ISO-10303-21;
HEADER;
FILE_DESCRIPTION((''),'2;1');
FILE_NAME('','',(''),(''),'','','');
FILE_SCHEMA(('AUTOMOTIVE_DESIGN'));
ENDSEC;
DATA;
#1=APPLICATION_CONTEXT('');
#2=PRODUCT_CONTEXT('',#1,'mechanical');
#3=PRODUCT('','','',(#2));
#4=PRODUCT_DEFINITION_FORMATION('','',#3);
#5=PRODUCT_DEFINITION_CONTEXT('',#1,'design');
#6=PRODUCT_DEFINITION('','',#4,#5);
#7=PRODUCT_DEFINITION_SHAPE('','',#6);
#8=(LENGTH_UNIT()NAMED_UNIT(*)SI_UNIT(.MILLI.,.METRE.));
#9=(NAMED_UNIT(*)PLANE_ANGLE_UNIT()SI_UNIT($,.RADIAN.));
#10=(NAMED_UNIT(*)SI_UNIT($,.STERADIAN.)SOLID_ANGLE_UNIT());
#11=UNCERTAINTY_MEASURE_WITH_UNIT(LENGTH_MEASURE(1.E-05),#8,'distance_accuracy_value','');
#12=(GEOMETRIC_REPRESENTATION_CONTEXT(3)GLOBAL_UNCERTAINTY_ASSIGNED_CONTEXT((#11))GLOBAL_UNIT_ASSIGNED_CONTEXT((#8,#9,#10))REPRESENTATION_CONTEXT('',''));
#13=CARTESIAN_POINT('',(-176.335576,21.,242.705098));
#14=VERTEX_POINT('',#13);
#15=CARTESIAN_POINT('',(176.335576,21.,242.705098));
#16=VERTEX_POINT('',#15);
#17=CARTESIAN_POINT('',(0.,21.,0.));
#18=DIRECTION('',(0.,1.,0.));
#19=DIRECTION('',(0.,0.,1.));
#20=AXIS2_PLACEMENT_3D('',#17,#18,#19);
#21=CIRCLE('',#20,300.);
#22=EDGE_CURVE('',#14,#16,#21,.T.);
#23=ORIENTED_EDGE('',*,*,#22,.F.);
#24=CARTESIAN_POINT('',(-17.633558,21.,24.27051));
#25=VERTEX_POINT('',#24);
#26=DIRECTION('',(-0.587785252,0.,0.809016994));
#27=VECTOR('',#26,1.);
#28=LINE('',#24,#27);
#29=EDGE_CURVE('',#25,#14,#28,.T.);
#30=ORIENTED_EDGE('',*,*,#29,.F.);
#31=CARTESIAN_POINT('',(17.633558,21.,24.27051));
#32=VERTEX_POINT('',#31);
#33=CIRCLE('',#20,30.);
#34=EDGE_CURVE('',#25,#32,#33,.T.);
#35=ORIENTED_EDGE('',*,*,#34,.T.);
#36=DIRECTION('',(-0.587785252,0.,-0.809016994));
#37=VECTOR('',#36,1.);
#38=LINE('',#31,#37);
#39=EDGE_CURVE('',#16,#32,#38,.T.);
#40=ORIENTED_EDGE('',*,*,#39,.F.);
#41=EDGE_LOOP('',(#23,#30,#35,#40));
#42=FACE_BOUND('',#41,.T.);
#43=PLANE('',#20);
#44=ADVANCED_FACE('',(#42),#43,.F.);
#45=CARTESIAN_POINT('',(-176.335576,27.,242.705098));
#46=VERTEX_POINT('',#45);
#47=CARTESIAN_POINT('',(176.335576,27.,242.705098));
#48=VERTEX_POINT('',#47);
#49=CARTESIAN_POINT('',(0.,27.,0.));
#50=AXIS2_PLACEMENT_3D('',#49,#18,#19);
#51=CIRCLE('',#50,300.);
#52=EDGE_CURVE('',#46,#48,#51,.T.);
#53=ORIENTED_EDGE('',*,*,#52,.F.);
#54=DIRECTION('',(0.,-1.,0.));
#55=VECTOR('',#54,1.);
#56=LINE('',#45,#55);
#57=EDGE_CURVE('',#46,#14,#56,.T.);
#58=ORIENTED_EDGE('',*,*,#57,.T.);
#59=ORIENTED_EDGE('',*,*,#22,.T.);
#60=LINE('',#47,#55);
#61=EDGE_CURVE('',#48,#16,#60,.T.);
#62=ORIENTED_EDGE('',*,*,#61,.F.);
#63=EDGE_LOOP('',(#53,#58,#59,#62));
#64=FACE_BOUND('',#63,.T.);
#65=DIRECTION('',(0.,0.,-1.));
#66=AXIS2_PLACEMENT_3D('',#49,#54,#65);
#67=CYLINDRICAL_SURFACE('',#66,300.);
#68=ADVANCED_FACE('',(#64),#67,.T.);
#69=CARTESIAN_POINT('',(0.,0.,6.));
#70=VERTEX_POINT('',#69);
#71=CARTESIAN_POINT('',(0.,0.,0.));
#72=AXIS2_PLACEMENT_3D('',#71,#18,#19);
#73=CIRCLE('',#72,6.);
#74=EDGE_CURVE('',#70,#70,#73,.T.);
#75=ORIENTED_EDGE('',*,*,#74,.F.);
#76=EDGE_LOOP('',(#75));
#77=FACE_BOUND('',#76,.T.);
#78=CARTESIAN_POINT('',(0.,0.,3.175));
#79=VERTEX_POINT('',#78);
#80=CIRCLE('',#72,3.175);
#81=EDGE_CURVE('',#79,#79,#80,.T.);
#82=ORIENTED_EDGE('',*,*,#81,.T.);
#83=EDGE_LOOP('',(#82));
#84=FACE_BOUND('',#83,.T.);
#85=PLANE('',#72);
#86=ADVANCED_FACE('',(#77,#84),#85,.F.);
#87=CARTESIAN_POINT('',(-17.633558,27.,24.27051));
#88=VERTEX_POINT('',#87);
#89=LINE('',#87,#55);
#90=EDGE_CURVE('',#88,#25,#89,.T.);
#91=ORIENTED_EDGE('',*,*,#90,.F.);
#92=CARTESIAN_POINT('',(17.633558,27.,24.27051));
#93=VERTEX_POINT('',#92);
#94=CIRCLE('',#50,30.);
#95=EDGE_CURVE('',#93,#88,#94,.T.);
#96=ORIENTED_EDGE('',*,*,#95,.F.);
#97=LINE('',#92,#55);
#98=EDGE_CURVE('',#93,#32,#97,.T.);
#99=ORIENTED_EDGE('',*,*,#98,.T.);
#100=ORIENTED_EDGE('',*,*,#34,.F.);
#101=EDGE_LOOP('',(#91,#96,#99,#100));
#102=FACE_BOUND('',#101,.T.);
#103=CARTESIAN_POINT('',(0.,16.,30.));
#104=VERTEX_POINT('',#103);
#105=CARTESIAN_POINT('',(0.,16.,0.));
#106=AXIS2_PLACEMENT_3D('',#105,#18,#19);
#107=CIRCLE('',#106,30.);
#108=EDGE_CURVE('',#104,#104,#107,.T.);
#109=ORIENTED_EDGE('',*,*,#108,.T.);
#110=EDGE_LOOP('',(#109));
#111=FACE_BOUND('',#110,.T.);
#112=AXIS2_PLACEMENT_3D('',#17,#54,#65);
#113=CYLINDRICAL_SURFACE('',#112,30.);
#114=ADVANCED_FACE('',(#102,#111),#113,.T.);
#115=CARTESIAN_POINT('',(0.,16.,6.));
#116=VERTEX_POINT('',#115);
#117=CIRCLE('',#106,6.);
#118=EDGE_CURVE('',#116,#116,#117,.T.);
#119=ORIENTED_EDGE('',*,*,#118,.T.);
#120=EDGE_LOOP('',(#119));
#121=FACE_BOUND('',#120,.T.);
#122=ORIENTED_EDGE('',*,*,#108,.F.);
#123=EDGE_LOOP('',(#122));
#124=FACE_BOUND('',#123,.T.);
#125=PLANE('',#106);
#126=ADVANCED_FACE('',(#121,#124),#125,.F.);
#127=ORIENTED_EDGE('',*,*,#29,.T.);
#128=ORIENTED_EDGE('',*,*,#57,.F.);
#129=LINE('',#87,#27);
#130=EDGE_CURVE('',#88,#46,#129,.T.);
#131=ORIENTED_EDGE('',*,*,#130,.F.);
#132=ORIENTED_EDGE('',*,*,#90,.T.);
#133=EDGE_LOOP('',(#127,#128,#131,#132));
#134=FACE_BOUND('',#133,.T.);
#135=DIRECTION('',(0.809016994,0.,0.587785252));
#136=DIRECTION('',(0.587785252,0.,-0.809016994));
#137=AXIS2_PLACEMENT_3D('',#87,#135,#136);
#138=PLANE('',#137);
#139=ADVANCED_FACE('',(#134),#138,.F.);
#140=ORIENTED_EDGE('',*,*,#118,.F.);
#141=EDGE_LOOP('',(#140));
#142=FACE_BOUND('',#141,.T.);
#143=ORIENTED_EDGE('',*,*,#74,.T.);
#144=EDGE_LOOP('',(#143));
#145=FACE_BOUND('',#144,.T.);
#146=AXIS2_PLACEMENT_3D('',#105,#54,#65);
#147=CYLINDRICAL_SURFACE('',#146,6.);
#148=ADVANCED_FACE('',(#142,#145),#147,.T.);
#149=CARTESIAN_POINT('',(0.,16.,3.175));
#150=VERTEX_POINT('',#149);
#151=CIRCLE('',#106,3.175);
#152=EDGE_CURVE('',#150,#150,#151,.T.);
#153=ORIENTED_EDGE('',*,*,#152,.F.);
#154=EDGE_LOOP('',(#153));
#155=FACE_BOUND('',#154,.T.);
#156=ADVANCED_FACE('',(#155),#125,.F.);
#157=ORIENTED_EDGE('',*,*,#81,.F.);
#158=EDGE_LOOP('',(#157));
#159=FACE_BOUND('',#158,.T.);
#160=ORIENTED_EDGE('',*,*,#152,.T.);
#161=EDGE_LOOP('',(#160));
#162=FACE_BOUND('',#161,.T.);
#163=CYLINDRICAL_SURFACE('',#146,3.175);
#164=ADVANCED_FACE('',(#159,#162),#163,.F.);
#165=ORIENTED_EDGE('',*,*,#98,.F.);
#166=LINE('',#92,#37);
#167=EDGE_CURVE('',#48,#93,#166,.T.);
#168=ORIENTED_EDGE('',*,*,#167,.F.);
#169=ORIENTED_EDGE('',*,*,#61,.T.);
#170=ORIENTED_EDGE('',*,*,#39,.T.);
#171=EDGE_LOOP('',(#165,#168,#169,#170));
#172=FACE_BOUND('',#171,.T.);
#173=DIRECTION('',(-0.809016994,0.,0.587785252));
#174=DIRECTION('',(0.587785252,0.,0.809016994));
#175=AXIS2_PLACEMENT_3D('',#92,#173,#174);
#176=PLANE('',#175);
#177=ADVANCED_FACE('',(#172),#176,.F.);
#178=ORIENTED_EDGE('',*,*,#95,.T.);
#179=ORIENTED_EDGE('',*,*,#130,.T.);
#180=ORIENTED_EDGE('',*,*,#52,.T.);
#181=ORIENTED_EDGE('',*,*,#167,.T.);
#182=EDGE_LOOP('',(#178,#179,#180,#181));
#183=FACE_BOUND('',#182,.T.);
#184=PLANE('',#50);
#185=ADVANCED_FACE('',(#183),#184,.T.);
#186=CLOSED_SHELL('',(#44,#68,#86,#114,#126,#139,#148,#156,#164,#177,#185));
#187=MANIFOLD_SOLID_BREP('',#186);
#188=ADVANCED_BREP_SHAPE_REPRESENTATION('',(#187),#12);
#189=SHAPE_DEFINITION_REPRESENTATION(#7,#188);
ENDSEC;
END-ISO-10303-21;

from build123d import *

# Parameters (mm, degrees)
SKETCH1_R           = 6
SKETCH1_R_2         = 3.175
BOSS_EXTRUDE1_DEPTH = 16
SKETCH2_R           = 30
BOSS_EXTRUDE2_DEPTH = 5
BOSS_EXTRUDE3_DEPTH = 6


with BuildPart() as part:
    # Sketch1 → Boss-Extrude1 (new body)
    with BuildSketch(Plane(origin=(0, 0, 0), x_dir=(1, 0, 0), z_dir=(0, 1, 0))):
        with Locations(Location((0, 0, 0), (0, 0, 270))):
            Circle(SKETCH1_R)
        with Locations(Location((0, 0, 0), (0, 0, 270))):
            Circle(SKETCH1_R_2, mode=Mode.SUBTRACT)
    extrude(amount=BOSS_EXTRUDE1_DEPTH)

    # Sketch2 → Boss-Extrude2 (add)
    with BuildSketch(Plane(origin=(0, 16, 0), x_dir=(1, 0, 0), z_dir=(0, 1, 0))):
        with Locations(Location((0, 0, 0), (0, 0, 270))):
            Circle(SKETCH2_R)
    extrude(amount=BOSS_EXTRUDE2_DEPTH)

    # Sketch3 → Boss-Extrude3 (add)
    with BuildSketch(Plane(origin=(0, 21, 0), x_dir=(1, 0, 0), z_dir=(0, 1, 0))):
        with BuildLine():
            Line((17.633557569, -24.270509831), (176.335575688, -242.705098312))
            ThreePointArc((176.335575688, -242.705098312), (0, -300), (-176.335575688, -242.705098312))
            Line((-176.335575688, -242.705098312), (-17.633557569, -24.270509831))
            ThreePointArc((-17.633557569, -24.270509831), (0, 30), (17.633557569, -24.270509831))
        make_face()
    extrude(amount=BOSS_EXTRUDE3_DEPTH)


solid = part.part
